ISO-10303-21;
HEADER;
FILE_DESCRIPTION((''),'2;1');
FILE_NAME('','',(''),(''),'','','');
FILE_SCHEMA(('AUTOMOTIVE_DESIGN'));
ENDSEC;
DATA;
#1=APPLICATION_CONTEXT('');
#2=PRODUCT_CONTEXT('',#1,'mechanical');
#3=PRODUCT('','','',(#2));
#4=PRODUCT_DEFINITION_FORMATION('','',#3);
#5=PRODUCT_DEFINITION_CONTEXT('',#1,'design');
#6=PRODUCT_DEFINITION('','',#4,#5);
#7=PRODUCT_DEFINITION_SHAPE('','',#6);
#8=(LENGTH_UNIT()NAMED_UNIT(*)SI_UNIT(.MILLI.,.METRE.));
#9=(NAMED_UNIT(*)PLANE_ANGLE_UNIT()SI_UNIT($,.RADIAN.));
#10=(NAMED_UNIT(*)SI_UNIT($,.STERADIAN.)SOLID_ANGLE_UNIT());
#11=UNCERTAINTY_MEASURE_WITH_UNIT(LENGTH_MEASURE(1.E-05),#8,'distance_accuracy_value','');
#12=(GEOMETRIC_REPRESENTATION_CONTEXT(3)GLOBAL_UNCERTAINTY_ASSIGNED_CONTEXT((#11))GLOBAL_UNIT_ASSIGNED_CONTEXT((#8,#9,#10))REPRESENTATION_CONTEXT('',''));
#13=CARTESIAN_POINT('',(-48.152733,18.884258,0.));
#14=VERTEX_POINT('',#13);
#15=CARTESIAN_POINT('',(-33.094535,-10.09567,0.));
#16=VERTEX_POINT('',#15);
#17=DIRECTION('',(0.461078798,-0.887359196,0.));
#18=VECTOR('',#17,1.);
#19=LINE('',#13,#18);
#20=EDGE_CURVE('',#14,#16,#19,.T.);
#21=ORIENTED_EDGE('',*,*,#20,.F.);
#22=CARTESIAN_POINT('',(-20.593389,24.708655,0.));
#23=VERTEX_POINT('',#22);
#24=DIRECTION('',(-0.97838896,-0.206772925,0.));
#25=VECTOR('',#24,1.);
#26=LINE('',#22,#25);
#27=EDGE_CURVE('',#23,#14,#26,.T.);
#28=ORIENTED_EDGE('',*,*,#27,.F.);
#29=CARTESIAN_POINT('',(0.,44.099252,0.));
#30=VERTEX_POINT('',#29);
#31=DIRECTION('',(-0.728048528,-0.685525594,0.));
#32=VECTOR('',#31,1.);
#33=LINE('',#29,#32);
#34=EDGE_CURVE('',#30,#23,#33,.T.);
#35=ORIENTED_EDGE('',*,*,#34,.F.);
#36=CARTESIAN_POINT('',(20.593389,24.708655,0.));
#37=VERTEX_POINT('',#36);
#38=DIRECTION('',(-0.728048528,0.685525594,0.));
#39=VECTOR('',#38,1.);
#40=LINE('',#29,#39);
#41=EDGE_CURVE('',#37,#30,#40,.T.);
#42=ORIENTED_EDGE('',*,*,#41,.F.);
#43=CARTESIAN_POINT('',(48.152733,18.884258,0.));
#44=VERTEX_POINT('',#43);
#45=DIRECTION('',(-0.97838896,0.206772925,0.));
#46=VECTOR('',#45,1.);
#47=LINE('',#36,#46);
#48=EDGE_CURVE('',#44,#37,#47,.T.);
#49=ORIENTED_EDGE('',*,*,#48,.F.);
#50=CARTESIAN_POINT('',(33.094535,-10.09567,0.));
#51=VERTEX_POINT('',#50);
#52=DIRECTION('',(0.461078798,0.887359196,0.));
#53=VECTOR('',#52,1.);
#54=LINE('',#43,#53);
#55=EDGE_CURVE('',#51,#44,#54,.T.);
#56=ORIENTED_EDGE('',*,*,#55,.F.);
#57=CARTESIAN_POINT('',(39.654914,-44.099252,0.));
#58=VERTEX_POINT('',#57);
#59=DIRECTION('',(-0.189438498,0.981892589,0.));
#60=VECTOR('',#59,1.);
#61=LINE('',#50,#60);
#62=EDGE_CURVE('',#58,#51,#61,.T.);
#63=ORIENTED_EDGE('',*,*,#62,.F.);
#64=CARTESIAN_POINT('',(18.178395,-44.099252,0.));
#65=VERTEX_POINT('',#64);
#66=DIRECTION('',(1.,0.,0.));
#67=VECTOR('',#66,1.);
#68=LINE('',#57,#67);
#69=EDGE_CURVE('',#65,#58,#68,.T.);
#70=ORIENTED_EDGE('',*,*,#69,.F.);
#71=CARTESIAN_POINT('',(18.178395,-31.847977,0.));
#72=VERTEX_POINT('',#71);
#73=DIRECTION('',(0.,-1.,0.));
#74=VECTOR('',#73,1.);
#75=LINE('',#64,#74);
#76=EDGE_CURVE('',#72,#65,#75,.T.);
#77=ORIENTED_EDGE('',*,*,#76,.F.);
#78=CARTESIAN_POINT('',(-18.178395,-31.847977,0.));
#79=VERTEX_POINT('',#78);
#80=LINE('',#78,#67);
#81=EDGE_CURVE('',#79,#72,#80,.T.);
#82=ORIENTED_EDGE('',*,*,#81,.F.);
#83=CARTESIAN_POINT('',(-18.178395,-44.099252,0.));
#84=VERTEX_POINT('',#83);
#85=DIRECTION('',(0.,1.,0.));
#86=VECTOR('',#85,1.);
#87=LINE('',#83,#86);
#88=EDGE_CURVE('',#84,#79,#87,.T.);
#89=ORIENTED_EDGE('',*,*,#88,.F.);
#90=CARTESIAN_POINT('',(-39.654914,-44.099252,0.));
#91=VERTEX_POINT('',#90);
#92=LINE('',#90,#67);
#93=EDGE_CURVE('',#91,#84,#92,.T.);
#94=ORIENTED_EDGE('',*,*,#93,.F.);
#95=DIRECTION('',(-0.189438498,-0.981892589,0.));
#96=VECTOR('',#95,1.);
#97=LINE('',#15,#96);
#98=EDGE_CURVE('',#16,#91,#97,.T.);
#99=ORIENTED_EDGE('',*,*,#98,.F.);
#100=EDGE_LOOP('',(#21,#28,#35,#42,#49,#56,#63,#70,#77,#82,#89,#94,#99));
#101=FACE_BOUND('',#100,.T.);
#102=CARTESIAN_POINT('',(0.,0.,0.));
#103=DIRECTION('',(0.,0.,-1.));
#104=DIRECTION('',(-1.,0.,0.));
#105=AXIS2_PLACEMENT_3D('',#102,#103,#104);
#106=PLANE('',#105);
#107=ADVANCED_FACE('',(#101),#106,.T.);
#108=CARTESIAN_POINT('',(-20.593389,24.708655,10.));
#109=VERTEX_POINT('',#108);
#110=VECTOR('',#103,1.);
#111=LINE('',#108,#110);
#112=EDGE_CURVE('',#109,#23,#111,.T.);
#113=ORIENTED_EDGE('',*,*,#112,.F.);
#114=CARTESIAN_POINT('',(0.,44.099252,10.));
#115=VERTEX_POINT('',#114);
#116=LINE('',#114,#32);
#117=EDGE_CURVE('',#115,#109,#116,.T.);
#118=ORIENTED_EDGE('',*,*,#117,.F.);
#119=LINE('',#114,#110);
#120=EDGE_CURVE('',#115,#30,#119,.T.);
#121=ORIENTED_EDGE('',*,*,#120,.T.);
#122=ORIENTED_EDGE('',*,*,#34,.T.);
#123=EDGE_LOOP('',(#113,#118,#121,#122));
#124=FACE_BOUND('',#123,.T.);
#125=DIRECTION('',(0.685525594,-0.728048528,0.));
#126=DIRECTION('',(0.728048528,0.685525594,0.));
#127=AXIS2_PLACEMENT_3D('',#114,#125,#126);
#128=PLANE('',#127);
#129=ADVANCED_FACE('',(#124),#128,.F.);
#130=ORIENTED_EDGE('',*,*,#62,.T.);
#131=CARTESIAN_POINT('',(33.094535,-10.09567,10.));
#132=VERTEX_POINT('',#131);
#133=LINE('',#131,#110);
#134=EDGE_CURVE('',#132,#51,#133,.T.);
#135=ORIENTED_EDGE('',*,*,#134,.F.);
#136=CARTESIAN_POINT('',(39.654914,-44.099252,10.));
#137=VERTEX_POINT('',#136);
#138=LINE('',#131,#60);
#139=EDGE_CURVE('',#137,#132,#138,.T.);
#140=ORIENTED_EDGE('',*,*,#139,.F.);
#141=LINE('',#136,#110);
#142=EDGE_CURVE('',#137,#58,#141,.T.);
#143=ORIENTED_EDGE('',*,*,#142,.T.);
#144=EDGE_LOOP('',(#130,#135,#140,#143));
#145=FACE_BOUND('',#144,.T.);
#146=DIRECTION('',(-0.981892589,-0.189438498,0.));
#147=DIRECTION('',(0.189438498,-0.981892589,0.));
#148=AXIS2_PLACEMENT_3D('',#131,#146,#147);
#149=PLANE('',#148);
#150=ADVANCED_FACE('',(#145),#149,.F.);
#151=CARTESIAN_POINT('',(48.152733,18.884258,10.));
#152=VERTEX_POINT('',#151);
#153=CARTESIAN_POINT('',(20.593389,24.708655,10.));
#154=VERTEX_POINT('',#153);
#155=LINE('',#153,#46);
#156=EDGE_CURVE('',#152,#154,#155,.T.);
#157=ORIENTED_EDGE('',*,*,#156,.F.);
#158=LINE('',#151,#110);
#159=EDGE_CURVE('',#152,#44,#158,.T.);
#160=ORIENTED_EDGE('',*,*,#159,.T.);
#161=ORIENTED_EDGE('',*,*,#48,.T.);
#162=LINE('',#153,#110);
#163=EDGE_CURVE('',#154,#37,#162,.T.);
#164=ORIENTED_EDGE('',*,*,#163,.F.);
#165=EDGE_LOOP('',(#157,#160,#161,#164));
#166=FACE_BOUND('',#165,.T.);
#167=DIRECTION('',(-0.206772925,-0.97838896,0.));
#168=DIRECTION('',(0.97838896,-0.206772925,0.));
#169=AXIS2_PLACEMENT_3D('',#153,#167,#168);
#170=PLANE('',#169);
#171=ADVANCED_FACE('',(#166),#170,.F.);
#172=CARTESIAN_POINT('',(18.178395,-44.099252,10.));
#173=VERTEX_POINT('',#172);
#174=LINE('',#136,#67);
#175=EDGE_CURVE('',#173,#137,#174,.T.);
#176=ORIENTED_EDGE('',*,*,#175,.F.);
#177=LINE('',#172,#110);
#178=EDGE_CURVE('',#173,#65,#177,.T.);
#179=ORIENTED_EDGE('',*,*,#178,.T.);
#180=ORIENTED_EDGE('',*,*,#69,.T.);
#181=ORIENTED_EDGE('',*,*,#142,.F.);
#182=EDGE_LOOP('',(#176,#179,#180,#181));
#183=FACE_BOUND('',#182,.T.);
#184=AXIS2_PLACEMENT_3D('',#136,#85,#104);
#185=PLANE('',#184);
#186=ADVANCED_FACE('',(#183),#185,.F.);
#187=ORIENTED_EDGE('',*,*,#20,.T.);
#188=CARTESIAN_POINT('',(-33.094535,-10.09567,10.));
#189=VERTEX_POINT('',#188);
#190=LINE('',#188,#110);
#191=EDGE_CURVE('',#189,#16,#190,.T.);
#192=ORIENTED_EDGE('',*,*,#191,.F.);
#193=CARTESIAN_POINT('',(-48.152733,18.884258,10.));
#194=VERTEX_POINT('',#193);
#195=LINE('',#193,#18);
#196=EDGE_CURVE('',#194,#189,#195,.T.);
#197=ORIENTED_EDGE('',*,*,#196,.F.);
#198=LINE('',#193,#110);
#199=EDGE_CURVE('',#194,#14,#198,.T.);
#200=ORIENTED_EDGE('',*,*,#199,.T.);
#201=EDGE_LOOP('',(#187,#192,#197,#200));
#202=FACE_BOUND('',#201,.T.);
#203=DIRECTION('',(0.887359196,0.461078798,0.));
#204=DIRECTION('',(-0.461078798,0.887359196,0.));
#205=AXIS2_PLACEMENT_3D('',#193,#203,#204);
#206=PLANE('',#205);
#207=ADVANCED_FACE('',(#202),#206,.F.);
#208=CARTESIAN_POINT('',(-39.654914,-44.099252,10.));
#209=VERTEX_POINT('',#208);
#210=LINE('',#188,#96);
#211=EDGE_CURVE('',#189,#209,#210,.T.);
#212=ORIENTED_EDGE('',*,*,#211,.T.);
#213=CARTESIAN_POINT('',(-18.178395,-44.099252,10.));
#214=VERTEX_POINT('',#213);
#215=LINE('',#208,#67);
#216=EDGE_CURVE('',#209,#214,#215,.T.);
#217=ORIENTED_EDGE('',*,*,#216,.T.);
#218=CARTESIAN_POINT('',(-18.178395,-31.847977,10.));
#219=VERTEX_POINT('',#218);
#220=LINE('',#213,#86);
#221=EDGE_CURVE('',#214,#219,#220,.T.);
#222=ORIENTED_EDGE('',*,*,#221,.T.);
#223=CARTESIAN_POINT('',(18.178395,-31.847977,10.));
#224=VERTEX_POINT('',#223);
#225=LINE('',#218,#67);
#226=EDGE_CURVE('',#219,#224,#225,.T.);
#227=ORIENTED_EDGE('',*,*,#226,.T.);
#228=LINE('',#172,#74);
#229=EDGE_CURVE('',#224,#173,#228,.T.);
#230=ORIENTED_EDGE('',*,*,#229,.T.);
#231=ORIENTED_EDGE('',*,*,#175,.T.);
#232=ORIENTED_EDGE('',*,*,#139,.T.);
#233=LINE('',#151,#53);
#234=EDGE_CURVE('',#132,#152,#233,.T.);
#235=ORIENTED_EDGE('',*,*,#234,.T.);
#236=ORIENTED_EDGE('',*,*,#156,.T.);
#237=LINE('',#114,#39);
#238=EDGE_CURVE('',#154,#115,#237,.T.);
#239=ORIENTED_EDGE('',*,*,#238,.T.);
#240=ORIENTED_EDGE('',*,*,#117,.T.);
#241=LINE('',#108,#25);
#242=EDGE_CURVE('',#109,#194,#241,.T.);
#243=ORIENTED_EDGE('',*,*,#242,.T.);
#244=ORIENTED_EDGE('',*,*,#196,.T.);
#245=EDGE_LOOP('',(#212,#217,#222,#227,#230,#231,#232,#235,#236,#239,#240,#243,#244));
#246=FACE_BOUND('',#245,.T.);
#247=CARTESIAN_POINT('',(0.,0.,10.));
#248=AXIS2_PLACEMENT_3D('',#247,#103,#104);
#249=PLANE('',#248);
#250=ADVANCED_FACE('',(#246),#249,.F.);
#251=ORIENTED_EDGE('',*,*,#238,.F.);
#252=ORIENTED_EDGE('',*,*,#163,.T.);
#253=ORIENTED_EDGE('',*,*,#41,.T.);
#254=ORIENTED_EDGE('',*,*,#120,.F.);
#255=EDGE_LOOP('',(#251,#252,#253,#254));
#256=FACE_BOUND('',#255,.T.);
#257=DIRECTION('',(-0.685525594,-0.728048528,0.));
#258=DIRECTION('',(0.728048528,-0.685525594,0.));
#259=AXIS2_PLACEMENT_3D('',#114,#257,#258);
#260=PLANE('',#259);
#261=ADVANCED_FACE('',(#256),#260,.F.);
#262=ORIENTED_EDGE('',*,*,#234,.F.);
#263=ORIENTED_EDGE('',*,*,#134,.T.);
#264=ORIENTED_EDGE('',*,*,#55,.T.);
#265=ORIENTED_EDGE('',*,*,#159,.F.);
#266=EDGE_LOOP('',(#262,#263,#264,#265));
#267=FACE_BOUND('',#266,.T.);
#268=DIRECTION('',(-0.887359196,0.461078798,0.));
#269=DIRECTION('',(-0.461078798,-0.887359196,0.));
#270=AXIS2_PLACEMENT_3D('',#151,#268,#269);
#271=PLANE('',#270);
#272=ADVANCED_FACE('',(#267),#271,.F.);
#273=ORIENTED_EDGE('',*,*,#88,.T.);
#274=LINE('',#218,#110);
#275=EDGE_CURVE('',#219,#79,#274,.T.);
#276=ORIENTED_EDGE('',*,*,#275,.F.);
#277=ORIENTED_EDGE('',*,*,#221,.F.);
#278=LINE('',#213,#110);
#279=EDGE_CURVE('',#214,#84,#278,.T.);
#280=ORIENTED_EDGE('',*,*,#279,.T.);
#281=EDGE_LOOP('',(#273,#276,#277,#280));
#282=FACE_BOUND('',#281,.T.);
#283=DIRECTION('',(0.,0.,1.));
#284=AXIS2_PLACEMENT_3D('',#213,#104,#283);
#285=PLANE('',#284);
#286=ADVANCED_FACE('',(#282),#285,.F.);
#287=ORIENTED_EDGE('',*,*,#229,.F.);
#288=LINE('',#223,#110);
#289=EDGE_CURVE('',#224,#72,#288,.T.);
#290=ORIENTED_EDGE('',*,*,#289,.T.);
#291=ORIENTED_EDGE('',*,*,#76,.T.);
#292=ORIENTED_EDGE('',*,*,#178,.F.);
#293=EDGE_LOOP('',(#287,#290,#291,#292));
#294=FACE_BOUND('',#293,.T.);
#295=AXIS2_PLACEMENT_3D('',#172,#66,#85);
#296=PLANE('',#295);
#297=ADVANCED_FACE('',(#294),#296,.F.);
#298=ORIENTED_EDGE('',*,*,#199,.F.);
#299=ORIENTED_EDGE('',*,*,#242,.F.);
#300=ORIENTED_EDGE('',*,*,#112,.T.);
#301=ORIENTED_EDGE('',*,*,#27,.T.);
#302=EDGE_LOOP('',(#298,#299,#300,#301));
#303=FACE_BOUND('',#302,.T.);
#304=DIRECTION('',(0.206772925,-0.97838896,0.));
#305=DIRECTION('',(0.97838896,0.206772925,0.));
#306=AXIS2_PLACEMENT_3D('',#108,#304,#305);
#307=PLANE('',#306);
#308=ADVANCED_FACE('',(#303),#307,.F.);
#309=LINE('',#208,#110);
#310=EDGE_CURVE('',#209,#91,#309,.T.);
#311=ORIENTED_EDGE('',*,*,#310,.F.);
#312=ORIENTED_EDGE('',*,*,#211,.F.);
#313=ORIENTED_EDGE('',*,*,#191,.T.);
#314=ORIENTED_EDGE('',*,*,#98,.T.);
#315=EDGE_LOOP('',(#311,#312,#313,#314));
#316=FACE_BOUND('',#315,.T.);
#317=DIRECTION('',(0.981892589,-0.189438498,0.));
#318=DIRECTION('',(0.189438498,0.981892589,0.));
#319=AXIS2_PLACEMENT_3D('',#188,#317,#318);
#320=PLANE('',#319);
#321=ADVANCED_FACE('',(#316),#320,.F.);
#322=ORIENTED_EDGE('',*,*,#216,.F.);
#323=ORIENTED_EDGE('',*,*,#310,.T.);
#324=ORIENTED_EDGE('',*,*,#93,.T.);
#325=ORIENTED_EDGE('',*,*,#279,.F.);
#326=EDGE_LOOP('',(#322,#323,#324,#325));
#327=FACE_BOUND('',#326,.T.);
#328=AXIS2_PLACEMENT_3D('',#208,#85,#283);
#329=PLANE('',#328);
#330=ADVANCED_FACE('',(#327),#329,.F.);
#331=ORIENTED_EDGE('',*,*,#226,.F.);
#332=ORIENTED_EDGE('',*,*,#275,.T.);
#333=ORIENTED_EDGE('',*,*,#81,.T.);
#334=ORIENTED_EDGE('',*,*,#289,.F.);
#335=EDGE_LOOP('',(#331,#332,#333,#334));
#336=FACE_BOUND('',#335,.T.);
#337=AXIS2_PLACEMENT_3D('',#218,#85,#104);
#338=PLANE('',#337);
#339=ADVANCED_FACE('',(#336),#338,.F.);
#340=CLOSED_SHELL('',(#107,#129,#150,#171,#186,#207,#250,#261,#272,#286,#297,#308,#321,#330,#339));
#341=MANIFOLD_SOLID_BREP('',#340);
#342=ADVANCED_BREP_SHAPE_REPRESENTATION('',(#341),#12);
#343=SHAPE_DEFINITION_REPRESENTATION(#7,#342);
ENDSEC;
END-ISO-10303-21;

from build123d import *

# Parameters (mm, degrees)
RESSALTO_EXTRUS_O1_DEPTH = 10


with BuildPart() as part:
    # Esboço1 → Ressalto-extrusão1 (new body)
    with BuildSketch(Plane.XY):
        Polygon((0, 44.099252014), (-20.593389075, 24.708655469), (-48.152732896, 18.884258064), (-33.094534726, -10.09567049), (-39.654913616, -44.099252014), (-18.178395029, -44.099252014), (-18.178395029, -31.847977088), (18.178395029, -31.847977088), (18.178395029, -44.099252014), (39.654913616, -44.099252014), (33.094534726, -10.09567049), (48.152732896, 18.884258064), (20.593389075, 24.708655469), align=None)
    extrude(amount=RESSALTO_EXTRUS_O1_DEPTH)


solid = part.part
